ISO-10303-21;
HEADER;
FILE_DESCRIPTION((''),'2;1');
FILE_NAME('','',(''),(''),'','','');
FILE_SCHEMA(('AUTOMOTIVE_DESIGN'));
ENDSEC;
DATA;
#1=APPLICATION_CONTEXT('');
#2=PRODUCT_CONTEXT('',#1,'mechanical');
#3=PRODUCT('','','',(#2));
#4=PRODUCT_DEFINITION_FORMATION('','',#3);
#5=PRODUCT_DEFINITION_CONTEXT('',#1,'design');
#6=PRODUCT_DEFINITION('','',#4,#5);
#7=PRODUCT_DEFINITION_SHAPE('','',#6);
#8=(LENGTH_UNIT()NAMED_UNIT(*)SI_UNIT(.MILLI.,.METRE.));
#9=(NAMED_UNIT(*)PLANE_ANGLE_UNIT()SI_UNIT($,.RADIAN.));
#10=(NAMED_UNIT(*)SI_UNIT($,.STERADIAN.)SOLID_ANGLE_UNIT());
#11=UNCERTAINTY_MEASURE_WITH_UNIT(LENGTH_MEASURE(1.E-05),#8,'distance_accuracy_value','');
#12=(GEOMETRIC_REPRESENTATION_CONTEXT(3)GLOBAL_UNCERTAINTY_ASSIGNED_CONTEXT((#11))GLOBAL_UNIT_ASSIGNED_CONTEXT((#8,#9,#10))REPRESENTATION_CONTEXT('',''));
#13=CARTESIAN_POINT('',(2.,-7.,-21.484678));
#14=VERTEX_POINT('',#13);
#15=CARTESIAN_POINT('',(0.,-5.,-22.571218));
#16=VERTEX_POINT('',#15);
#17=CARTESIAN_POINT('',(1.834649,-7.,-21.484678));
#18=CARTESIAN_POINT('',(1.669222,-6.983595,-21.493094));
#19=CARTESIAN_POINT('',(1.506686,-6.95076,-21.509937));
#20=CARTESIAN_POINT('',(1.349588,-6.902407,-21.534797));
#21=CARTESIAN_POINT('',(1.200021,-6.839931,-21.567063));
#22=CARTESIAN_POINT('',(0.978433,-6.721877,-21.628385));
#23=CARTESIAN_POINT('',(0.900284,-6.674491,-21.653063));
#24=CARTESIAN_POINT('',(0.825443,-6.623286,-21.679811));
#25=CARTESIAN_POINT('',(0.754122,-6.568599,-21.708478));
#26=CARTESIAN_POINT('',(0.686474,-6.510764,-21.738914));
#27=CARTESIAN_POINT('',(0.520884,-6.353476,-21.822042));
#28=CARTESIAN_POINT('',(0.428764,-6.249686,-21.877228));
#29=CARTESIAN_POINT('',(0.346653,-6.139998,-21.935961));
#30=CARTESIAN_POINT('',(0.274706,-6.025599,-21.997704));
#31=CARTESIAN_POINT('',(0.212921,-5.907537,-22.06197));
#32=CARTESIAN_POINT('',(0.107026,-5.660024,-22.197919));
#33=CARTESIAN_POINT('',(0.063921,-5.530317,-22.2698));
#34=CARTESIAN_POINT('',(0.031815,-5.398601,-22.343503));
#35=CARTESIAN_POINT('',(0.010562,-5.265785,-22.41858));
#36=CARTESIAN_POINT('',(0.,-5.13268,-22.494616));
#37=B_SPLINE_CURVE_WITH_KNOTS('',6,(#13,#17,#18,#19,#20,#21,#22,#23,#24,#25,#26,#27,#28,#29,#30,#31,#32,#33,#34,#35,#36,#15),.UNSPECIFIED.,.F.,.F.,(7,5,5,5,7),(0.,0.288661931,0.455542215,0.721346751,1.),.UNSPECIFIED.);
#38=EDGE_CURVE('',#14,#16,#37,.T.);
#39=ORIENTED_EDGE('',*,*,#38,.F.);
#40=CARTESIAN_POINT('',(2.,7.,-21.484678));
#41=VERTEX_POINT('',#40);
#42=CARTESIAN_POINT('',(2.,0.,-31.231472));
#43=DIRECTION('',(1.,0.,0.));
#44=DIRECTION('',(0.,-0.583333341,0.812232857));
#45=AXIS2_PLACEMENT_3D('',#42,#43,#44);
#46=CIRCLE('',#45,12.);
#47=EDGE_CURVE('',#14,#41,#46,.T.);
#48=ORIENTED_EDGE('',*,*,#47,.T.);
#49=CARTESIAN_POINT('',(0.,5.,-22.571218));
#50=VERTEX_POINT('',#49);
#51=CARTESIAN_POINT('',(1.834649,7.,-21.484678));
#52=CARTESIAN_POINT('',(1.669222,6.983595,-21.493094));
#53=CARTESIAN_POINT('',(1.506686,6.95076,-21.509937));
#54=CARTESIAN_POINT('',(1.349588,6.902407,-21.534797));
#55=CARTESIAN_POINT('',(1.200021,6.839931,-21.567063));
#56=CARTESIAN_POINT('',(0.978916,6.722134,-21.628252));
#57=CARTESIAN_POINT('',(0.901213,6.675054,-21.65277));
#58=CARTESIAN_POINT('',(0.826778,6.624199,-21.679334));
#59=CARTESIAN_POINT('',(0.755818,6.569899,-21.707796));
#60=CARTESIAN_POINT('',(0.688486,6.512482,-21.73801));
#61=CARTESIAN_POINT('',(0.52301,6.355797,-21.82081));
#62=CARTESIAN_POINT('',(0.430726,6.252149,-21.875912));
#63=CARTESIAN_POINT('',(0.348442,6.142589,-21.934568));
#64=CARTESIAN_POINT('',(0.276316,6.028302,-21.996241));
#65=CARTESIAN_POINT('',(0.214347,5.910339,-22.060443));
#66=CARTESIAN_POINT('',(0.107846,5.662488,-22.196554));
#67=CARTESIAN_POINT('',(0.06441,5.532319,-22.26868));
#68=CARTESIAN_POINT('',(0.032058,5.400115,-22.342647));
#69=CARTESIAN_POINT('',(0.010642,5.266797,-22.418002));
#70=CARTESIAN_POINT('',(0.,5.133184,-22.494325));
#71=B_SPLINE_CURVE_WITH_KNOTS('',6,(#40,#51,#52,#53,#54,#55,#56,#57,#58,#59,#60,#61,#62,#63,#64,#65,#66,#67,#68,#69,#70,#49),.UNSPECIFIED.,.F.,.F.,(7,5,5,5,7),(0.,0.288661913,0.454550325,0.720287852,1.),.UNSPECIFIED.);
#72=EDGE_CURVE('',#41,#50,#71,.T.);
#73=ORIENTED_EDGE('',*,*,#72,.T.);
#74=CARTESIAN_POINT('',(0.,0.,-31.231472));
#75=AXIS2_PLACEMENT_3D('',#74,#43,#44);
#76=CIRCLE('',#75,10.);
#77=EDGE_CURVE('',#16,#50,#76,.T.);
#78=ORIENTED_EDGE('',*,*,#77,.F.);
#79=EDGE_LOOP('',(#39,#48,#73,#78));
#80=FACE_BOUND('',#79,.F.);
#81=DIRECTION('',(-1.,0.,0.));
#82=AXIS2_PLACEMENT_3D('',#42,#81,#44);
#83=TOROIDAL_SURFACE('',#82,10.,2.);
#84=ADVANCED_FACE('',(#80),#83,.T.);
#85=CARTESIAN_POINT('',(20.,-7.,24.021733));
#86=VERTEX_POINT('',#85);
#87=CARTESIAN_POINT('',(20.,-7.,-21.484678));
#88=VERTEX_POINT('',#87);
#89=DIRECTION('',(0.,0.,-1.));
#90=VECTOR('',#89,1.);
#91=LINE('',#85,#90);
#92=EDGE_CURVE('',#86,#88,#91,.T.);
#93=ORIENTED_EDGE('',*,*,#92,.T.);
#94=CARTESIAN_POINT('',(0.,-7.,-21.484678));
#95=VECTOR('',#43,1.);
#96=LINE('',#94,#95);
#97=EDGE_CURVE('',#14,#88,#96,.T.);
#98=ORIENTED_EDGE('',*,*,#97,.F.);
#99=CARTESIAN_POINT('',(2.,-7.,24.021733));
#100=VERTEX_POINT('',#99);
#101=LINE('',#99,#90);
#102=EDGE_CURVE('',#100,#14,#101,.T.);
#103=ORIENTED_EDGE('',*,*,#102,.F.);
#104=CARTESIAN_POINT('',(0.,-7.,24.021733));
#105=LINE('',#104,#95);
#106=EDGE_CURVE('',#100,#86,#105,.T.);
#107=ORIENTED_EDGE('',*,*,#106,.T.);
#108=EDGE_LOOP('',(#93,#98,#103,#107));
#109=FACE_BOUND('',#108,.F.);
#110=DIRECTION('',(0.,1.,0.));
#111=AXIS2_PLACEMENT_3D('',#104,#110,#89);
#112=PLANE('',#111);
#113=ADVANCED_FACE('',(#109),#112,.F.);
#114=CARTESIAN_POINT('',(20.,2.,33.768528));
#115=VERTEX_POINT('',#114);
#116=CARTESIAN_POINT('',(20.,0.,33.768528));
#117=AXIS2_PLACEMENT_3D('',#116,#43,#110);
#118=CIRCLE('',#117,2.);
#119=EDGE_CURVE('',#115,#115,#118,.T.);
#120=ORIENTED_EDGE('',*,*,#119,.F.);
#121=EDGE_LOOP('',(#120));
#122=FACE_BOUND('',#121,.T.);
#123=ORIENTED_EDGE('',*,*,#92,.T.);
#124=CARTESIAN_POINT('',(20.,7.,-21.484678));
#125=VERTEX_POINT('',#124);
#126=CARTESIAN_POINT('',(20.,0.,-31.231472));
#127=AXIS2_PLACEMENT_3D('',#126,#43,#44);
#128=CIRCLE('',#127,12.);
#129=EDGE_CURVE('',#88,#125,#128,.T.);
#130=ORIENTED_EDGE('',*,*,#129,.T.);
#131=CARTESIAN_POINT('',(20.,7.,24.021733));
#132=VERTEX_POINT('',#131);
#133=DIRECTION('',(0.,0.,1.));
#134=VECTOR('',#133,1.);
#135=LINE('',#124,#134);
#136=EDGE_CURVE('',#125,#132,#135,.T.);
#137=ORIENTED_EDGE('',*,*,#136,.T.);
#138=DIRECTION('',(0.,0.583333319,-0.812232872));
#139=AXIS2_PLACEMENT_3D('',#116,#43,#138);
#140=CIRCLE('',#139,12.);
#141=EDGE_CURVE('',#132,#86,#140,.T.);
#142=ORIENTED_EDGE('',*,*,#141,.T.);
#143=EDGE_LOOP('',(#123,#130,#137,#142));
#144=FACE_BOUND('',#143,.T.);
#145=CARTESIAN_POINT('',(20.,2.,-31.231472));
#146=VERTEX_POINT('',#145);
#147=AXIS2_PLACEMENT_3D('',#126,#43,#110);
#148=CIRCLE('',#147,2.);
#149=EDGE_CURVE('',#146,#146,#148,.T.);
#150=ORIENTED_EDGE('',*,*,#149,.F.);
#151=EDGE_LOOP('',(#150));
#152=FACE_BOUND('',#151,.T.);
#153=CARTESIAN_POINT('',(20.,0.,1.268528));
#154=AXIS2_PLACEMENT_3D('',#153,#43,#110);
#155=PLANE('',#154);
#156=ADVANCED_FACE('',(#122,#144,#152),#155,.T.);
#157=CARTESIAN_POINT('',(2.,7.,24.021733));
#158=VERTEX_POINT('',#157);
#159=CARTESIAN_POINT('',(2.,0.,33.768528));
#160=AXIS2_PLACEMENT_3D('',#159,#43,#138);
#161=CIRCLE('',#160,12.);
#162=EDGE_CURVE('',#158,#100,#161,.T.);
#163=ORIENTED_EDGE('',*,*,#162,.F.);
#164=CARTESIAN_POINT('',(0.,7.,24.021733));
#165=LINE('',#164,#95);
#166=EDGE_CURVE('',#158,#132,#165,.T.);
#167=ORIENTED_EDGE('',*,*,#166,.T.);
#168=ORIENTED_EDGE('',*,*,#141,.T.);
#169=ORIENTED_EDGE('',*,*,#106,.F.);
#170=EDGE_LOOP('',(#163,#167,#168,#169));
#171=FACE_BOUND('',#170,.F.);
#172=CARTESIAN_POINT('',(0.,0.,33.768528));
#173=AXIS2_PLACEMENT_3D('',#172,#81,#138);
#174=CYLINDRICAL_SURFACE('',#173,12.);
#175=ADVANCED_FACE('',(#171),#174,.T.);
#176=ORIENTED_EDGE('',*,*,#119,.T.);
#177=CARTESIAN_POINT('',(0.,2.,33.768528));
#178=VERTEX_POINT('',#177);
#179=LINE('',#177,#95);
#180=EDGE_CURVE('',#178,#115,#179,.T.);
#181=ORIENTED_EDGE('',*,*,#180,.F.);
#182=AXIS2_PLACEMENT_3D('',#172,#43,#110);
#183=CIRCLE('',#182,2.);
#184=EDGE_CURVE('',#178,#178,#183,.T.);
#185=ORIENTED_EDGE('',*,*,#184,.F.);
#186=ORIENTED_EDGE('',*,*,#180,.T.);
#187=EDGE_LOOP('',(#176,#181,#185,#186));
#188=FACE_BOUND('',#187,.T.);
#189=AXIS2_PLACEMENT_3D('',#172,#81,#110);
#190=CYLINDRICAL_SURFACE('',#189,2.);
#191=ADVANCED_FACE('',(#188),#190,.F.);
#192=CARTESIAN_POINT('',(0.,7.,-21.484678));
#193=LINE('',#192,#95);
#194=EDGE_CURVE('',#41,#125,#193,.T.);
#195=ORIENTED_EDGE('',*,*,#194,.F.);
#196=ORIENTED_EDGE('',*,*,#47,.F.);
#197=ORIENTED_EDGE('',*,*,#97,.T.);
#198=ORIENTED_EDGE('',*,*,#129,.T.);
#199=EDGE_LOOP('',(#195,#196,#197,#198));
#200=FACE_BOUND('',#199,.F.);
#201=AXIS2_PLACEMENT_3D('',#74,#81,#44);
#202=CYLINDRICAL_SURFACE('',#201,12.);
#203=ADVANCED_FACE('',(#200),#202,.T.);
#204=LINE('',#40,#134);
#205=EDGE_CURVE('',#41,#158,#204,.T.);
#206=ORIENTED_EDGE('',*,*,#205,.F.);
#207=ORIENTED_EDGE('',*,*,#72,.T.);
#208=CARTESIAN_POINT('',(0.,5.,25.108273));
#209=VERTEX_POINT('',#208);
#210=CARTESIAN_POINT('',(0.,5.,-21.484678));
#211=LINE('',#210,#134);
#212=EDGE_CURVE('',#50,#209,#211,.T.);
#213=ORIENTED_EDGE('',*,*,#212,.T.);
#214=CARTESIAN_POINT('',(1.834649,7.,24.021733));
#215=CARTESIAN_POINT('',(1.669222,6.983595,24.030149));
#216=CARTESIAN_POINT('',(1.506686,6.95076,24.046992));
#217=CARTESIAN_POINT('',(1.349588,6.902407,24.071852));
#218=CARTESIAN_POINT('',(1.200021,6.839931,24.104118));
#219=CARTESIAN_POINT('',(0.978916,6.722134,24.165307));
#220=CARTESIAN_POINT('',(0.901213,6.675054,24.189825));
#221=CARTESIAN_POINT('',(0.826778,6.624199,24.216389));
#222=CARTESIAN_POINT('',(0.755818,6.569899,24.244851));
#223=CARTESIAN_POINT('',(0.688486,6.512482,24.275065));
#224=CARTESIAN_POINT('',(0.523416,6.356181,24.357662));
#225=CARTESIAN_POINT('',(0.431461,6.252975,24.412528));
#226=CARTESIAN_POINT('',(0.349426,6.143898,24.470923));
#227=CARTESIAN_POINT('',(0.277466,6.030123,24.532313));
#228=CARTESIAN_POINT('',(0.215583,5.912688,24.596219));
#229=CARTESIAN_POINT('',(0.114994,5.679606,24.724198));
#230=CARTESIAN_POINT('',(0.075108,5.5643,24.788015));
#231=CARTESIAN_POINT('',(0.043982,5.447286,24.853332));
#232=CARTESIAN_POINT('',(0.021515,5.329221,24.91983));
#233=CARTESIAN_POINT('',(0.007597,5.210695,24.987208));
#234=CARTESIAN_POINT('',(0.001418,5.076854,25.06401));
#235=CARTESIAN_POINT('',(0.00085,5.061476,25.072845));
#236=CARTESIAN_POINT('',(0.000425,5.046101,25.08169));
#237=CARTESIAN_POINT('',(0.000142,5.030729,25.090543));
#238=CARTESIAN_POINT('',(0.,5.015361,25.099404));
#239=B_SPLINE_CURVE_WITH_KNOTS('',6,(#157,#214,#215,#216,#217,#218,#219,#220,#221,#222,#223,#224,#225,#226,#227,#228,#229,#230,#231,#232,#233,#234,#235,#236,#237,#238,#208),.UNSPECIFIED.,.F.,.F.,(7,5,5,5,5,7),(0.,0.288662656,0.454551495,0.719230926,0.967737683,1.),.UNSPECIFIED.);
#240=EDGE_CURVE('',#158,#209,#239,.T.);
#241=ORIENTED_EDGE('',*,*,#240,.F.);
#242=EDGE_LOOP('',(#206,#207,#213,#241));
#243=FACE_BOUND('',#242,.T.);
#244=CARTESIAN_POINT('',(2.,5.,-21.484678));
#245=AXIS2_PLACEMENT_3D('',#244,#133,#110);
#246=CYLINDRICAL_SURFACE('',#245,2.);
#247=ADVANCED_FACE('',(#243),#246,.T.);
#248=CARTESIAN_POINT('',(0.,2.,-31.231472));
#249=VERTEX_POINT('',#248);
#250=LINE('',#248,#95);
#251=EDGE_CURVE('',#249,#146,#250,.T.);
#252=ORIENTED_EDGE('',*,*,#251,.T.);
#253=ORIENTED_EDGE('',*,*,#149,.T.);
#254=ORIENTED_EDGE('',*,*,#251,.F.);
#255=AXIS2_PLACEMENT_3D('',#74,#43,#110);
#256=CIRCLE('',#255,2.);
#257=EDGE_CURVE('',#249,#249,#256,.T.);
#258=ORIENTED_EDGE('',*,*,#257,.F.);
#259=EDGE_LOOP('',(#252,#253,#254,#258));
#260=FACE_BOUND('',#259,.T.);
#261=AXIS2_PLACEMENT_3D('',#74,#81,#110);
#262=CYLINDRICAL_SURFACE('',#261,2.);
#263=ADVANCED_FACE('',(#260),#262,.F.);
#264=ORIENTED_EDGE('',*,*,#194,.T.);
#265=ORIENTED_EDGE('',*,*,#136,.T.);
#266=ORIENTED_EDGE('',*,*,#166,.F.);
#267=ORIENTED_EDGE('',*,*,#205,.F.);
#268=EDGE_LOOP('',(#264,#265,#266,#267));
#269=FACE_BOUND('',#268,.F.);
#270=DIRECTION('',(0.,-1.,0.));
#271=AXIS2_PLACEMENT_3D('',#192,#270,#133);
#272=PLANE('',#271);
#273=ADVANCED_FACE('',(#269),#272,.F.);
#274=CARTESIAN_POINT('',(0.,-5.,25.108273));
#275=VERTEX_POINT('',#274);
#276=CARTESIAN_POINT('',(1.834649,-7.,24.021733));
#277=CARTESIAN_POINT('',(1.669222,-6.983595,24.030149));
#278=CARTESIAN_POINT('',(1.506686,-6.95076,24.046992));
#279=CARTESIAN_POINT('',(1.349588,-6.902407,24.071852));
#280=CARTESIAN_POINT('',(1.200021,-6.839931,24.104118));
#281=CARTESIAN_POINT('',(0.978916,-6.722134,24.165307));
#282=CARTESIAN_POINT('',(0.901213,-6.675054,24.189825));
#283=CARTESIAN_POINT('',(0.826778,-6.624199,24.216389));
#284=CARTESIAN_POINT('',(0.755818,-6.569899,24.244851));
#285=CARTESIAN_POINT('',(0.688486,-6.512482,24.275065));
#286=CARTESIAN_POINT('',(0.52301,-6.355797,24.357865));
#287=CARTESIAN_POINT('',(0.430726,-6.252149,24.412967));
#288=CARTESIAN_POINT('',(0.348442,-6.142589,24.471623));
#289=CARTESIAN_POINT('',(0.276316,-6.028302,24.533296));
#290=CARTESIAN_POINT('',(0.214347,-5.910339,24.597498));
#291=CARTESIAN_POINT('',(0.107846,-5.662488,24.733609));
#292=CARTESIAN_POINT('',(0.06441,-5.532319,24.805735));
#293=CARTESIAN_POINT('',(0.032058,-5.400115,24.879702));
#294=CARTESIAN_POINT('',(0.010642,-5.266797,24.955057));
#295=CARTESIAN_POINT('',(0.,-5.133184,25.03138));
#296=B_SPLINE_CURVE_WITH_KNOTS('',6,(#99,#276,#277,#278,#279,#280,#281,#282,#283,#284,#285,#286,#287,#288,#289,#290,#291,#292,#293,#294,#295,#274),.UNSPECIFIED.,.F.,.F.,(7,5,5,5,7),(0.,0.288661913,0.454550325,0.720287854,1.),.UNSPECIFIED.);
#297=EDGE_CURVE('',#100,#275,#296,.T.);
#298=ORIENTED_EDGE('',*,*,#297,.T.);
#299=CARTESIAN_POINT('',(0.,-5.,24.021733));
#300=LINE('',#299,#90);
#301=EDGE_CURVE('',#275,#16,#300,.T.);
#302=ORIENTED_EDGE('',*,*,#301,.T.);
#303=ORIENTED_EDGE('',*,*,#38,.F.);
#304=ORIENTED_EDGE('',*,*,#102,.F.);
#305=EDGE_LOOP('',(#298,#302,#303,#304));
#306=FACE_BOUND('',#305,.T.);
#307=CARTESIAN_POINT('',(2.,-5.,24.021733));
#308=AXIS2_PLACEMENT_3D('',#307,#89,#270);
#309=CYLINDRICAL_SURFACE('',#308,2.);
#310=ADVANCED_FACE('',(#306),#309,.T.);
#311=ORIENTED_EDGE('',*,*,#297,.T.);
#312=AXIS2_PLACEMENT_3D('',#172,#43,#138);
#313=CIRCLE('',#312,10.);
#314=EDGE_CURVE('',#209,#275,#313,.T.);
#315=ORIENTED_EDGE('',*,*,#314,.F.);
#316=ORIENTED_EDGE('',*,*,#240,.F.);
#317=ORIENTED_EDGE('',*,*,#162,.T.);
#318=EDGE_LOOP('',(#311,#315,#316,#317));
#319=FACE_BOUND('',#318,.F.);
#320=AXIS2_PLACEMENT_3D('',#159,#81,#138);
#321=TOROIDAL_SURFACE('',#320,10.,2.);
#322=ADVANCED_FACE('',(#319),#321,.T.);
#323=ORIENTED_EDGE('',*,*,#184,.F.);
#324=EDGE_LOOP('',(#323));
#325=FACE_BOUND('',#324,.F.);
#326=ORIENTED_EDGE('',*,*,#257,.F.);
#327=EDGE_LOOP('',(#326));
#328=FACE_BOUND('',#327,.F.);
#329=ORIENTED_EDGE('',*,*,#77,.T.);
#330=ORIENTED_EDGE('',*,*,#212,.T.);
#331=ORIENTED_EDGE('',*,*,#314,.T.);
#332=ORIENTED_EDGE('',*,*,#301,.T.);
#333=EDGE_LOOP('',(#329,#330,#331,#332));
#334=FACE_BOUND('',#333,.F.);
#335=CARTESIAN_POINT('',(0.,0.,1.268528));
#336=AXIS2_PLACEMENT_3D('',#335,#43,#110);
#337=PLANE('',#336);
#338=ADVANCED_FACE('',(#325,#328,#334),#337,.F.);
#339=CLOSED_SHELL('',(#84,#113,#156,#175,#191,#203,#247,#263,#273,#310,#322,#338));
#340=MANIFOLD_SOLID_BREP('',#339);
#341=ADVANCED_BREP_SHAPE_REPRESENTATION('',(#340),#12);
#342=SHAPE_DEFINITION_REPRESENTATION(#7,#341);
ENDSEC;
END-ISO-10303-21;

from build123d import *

# Parameters (mm, degrees)
F0_R     = 2
F1_DEPTH = 20
F2_R     = 2


with BuildPart() as f1:
    # F0 (on Right) → F1 (new body)
    with BuildSketch(Plane.YZ):
        with BuildLine():
            ThreePointArc((7, 24.021733), (0, 45.768528), (-7, 24.021733))
            Line((-7, 24.021733), (-7, -21.484678))
            ThreePointArc((-7, -21.484678), (0, -43.231472), (7, -21.484678))
            Line((7, -21.484678), (7, 24.021733))
        make_face()
        with Locations((0, -31.231472)):
            Circle(F0_R, mode=Mode.SUBTRACT)
        with Locations((0, 33.768528)):
            Circle(F0_R, mode=Mode.SUBTRACT)
    extrude(amount=F1_DEPTH)

    # F2
    f2_edges = [f1.edges().sort_by_distance(p)[0] for p in [
        (0, -7, 1.268528),
        (0, 0, -43.231472),
        (0, 7, 1.268528),
        (0, 0, 45.768528),
    ]]
    fillet(f2_edges, radius=F2_R)


solid = f1.part
